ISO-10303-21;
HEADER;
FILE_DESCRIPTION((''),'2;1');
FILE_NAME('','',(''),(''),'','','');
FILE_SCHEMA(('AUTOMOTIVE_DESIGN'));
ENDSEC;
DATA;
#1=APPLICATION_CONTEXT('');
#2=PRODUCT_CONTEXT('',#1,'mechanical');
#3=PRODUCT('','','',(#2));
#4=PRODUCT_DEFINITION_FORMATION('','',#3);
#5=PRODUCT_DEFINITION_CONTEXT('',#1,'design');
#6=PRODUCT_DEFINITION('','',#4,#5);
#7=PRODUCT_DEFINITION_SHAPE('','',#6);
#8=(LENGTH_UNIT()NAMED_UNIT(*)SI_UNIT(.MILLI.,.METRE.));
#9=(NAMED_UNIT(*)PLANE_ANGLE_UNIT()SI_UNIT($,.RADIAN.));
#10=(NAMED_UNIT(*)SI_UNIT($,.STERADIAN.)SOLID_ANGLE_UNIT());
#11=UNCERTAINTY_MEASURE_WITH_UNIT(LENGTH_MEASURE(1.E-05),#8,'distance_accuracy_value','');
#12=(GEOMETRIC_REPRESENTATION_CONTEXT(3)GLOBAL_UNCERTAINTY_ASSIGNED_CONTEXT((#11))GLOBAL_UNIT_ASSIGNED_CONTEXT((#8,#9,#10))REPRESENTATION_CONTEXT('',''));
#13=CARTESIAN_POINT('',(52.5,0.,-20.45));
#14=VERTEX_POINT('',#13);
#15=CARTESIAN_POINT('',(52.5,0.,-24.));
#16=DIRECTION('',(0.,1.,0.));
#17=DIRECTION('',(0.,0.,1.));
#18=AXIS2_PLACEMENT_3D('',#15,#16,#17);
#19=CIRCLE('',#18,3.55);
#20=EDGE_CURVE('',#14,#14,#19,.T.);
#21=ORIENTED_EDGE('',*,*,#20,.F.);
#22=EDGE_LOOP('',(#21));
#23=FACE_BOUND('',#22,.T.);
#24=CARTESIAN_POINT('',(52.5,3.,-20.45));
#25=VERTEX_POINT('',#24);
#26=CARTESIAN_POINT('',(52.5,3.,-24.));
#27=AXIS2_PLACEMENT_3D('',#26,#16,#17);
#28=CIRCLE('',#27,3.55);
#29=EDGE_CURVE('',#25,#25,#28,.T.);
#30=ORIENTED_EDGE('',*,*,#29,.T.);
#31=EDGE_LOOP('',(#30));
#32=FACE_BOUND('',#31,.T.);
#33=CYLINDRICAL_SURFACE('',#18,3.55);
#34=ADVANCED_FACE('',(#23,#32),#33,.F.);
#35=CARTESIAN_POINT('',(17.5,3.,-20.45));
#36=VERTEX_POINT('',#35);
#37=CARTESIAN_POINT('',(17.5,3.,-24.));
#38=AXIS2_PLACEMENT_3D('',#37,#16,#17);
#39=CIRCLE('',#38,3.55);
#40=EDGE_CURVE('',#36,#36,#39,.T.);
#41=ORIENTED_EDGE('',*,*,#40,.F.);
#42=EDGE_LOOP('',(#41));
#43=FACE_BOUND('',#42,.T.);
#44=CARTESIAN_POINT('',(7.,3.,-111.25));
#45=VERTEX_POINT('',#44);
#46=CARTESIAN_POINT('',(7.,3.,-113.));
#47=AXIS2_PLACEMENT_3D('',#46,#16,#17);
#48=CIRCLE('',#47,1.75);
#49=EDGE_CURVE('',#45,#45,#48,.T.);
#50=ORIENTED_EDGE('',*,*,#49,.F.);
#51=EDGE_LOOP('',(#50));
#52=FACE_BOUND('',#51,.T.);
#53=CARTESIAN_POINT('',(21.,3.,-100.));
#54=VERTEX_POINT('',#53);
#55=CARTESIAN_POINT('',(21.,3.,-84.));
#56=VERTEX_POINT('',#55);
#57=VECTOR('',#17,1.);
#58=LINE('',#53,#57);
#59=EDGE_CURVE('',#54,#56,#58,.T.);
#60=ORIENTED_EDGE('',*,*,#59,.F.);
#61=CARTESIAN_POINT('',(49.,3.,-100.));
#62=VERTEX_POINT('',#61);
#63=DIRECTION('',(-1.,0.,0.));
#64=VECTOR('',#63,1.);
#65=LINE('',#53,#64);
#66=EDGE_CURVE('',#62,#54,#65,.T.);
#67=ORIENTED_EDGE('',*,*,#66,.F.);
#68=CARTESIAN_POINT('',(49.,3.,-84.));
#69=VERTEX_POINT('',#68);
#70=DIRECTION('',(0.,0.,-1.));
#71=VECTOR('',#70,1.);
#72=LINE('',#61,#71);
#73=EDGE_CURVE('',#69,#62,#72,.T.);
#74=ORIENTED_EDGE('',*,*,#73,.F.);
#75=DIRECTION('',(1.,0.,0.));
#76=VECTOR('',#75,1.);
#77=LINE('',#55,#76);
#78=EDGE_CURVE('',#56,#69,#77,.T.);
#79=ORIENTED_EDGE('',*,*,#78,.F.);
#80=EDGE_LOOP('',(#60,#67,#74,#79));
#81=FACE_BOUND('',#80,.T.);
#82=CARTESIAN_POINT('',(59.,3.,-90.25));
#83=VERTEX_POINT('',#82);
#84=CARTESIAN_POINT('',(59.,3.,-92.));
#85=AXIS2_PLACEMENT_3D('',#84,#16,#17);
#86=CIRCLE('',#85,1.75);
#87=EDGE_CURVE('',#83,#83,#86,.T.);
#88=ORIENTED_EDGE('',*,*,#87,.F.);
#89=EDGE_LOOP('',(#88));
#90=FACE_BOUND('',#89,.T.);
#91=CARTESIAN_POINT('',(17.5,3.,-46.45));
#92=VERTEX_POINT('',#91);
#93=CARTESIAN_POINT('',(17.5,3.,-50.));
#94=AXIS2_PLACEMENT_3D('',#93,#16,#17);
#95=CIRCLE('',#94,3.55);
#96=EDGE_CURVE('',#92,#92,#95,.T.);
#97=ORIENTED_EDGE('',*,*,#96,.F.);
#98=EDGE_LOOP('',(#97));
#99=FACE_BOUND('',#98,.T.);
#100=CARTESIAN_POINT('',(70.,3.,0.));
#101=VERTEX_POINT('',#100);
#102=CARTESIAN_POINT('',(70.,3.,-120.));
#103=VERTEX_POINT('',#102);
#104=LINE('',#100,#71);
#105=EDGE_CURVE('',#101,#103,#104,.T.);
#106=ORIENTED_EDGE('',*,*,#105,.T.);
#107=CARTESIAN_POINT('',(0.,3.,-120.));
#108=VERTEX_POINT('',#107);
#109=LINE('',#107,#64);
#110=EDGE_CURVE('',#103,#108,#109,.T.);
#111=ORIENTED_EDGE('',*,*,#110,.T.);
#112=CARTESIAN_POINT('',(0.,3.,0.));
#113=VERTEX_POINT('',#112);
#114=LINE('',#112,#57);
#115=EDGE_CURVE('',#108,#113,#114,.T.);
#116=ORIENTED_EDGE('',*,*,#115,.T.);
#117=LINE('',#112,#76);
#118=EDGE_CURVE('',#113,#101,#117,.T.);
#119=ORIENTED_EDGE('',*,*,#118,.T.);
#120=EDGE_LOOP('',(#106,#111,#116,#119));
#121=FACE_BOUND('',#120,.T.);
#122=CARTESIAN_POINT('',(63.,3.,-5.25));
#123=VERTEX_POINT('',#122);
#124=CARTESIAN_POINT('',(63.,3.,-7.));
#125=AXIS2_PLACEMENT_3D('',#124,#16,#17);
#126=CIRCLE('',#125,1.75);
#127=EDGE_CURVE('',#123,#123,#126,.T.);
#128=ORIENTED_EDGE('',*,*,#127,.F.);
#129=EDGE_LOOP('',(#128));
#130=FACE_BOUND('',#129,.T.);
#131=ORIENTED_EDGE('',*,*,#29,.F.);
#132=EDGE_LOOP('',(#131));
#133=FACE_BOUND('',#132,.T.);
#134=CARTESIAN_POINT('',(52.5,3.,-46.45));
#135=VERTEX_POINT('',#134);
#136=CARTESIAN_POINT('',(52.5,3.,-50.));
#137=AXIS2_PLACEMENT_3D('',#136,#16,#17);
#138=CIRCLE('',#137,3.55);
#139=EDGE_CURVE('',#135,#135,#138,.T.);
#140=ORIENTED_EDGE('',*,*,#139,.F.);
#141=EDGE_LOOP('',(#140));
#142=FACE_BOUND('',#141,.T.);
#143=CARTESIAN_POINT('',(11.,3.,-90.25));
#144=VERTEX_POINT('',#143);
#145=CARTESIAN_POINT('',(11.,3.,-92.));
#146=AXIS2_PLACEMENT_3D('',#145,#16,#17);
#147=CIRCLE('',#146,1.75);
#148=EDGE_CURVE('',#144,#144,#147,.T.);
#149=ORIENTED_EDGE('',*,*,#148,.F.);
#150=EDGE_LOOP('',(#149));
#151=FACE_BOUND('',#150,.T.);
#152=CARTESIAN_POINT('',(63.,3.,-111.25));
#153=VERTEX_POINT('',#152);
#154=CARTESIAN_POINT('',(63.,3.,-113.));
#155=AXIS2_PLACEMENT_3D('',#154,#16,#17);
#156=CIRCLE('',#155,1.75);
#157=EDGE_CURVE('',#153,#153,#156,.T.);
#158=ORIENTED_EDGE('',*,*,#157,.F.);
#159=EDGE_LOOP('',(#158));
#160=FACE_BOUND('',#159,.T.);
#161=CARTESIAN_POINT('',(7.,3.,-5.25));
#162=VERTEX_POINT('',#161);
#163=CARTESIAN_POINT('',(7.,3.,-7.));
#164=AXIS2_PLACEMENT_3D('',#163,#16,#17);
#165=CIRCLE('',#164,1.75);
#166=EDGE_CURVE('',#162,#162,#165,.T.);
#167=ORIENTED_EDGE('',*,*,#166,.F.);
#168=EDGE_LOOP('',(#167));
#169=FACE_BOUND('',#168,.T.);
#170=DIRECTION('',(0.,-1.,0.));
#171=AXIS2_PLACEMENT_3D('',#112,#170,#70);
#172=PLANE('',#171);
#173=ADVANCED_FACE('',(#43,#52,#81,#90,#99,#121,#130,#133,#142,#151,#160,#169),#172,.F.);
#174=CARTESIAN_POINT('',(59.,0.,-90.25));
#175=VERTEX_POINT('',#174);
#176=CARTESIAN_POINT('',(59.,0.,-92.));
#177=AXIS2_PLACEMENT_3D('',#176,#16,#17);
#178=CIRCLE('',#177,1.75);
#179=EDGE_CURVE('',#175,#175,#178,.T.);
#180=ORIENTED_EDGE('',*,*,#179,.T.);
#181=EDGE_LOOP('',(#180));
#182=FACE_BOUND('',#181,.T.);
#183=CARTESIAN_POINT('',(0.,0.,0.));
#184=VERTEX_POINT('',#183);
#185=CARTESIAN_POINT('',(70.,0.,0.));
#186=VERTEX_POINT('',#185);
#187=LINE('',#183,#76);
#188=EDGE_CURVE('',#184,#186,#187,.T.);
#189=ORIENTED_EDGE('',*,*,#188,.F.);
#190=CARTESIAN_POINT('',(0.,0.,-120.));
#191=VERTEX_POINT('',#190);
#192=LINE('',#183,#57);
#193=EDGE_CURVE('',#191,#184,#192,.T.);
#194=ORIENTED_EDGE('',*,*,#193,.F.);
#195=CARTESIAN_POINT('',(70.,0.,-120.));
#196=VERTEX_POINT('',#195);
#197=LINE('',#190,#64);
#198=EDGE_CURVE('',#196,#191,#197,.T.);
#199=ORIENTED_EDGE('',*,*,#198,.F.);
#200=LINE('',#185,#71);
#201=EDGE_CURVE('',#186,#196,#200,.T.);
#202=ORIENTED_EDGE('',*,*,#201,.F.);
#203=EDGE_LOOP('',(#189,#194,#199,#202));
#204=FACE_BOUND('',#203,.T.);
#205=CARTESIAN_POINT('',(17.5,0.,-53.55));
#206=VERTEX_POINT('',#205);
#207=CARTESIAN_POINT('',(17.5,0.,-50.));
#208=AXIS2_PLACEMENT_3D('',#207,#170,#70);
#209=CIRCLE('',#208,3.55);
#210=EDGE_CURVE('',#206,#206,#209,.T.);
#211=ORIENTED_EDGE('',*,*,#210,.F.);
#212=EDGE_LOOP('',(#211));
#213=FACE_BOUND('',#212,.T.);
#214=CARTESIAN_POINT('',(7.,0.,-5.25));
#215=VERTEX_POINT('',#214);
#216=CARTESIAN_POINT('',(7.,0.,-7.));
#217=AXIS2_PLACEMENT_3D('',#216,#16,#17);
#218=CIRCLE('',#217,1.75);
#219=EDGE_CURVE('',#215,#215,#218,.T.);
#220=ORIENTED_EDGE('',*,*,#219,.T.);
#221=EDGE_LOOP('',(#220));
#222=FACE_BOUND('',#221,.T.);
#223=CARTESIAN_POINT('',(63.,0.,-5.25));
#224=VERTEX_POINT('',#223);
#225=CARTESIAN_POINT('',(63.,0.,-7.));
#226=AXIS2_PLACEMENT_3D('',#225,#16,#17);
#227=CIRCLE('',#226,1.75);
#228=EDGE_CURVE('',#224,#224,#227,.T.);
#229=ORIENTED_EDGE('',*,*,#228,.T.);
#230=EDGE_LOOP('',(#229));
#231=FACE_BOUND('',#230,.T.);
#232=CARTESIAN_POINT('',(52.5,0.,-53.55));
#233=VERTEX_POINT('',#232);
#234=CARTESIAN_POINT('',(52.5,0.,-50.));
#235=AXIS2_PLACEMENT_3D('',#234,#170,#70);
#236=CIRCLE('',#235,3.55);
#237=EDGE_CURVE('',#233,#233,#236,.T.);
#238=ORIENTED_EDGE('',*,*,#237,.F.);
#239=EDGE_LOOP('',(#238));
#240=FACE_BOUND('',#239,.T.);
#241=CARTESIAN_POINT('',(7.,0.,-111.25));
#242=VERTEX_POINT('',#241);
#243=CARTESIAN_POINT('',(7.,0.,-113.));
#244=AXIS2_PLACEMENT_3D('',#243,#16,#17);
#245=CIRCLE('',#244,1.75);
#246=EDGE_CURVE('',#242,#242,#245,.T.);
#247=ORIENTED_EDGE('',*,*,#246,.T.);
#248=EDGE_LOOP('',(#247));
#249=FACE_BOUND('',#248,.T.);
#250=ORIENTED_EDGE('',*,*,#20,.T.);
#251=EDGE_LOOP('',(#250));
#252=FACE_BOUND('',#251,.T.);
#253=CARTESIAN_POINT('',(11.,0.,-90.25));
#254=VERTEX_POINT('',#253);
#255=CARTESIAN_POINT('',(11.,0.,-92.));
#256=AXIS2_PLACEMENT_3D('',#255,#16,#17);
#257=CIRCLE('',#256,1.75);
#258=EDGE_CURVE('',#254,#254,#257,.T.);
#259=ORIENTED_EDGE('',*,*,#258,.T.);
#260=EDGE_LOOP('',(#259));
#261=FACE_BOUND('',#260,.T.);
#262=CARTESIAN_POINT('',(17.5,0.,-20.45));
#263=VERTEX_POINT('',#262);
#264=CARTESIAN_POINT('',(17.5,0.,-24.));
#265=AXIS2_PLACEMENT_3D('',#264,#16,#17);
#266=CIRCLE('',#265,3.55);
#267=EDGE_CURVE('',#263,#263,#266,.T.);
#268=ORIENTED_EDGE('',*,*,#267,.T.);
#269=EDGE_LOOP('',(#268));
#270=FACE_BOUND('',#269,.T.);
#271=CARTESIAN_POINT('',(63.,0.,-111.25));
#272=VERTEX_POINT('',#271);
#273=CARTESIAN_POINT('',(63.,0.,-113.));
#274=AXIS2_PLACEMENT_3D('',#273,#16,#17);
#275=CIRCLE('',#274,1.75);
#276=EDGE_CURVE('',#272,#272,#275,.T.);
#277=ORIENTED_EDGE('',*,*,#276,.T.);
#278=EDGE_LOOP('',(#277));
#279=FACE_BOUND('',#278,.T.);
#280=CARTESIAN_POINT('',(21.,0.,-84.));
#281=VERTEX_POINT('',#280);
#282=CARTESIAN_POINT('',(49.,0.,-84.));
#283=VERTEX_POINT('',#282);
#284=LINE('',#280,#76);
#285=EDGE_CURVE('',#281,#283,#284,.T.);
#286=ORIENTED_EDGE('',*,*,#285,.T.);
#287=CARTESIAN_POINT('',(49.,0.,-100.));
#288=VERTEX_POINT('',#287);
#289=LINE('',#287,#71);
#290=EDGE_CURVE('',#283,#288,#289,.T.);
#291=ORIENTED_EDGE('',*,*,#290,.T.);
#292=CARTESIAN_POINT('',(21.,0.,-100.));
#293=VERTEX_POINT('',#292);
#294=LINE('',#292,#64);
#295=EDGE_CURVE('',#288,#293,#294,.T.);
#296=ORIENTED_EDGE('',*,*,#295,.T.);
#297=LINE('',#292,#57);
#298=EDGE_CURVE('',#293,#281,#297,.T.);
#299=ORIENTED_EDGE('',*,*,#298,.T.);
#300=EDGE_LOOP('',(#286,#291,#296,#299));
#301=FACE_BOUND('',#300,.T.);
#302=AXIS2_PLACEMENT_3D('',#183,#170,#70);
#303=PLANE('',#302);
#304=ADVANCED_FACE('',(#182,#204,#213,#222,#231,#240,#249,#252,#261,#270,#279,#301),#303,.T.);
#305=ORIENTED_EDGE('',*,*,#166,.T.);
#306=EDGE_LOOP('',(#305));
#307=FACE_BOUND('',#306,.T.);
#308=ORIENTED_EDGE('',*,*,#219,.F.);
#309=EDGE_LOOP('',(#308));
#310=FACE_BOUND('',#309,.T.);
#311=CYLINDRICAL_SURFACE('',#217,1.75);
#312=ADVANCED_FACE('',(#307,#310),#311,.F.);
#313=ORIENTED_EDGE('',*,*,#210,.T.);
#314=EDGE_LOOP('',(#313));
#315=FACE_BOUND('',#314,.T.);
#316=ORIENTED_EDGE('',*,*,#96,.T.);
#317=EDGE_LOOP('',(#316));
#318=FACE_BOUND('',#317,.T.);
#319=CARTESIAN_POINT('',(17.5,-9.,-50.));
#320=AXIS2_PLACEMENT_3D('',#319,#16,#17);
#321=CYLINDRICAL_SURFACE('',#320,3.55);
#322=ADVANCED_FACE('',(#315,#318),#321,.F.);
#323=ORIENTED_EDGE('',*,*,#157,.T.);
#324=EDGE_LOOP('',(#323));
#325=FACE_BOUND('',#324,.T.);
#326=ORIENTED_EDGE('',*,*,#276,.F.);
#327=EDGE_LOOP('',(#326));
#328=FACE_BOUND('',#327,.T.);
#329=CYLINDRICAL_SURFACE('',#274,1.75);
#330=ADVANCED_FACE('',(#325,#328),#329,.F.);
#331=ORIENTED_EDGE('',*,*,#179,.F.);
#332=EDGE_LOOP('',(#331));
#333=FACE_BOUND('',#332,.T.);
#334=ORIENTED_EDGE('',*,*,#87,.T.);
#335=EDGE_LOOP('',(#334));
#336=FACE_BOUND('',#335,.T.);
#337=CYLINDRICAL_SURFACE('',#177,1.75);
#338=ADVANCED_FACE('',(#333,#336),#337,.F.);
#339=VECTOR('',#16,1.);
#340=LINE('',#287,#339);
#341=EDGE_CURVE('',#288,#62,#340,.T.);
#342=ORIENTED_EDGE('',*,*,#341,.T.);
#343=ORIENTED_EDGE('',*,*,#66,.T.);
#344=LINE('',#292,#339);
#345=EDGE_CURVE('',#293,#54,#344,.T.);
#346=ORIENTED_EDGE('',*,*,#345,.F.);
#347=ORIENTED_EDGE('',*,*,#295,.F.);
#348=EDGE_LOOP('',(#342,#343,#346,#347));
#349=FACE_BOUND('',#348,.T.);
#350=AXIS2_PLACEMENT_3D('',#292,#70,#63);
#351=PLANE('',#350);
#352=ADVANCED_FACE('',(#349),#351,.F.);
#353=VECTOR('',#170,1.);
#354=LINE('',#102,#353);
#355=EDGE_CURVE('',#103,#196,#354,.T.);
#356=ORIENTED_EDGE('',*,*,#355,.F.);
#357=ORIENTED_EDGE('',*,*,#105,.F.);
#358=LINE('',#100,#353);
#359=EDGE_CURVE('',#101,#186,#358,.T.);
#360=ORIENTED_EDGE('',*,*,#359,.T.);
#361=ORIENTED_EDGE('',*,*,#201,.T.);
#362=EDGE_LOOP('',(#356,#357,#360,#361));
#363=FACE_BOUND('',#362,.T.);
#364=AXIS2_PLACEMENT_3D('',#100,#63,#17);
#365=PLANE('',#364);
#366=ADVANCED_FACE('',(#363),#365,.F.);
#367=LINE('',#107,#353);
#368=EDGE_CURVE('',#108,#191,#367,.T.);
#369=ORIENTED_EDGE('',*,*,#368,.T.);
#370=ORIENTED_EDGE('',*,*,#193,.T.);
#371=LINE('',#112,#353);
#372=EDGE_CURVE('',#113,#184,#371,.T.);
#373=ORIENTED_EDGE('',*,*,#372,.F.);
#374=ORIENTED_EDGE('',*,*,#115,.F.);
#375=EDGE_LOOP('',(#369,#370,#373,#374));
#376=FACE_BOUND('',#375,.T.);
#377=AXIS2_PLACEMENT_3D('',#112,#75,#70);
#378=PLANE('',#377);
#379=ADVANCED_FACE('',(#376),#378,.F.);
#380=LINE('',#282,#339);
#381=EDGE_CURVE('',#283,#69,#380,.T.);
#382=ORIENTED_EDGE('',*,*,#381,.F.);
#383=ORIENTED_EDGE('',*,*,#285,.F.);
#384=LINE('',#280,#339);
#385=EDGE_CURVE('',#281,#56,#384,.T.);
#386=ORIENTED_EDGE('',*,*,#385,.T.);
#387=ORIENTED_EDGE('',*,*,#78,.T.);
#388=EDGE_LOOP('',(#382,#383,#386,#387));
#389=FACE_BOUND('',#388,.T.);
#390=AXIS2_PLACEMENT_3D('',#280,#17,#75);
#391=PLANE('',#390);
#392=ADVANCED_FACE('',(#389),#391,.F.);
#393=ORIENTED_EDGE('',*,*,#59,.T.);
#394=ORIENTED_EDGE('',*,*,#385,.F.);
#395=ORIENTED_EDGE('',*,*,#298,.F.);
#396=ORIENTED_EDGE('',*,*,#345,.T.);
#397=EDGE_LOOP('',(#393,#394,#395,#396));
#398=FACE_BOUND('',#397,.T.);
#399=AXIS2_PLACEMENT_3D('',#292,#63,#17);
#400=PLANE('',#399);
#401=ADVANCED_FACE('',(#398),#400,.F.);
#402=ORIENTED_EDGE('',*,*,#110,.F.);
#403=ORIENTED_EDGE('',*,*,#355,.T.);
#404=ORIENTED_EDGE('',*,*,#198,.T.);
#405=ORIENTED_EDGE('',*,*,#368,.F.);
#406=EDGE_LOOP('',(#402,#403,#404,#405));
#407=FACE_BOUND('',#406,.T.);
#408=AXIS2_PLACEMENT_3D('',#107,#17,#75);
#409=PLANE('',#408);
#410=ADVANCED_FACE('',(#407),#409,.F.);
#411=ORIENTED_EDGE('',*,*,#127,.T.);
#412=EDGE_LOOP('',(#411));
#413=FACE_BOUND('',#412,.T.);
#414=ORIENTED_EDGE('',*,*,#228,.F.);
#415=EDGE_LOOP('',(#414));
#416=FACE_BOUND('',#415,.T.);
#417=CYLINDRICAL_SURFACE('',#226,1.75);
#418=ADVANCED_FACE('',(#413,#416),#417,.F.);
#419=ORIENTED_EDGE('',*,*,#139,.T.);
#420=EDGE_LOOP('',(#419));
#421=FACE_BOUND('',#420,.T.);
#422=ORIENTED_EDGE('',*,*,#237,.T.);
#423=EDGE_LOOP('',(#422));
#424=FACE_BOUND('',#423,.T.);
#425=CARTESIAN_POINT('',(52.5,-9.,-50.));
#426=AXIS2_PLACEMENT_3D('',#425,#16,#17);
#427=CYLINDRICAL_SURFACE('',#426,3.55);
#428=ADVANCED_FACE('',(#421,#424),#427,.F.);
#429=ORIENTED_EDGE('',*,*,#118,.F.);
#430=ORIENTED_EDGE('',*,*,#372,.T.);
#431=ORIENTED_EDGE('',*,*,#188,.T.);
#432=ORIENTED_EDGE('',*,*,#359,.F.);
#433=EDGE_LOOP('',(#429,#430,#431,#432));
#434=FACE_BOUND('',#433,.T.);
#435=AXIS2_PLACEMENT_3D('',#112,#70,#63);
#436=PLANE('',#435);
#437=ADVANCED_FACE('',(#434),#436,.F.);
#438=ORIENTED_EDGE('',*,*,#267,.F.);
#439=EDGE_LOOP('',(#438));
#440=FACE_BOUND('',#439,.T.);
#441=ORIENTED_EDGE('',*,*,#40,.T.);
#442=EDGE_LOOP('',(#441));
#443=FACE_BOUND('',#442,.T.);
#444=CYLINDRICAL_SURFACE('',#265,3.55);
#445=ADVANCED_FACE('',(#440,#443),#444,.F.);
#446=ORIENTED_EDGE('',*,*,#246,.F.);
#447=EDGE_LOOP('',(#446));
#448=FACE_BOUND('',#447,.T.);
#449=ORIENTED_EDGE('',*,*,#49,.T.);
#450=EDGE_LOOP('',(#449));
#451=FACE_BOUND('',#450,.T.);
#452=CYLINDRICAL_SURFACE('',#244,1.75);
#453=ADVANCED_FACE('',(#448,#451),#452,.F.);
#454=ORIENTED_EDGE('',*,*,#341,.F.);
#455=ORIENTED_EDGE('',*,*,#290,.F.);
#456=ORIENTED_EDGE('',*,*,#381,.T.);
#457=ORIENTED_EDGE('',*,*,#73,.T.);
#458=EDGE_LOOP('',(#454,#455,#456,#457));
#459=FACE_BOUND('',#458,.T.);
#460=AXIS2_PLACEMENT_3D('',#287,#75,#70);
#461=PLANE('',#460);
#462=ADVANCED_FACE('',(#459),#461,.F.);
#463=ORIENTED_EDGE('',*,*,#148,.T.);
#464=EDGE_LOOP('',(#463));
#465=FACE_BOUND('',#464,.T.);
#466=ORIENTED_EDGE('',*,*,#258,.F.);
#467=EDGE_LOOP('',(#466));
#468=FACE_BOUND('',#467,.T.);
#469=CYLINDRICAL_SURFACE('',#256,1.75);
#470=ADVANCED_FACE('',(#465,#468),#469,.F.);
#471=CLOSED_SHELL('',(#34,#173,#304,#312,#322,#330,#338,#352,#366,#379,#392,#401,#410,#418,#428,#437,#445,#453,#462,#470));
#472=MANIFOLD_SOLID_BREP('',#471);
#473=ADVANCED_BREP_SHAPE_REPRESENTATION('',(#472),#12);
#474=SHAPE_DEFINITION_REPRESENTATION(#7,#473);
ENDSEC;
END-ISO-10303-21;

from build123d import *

# Parameters (mm, degrees)
SKETCH1_W           = 70
SKETCH1_H           = 120
BOSS_EXTRUDE1_DEPTH = 3
SKETCH2_R           = 1.75
SKETCH2_R_2         = 3.55
SKETCH2_W           = 28
SKETCH2_H           = 16
CUT_EXTRUDE1_DEPTH  = 3
SKETCH4_R           = 3.55
CUT_EXTRUDE2_DEPTH  = 12


with BuildPart() as part:
    # Sketch1 → Boss-Extrude1 (new body)
    with BuildSketch(Plane(origin=(0, 0, 0), x_dir=(1, 0, 0), z_dir=(0, 1, 0))):
        with Locations((35, 60)):
            Rectangle(SKETCH1_W, SKETCH1_H)
    extrude(amount=BOSS_EXTRUDE1_DEPTH)

    # Sketch2 → Cut-Extrude1 (cut)
    with BuildSketch(Plane(origin=(0, 3, 0), x_dir=(1, 0, 0), z_dir=(0, 1, 0))):
        with Locations(Location((11, 92, 0), (0, 0, 270))):
            Circle(SKETCH2_R)
        with Locations(Location((59, 92, 0), (0, 0, 270))):
            Circle(SKETCH2_R)
        with Locations(Location((52.5, 24, 0), (0, 0, 270))):
            Circle(SKETCH2_R_2)
        with Locations(Location((17.5, 24, 0), (0, 0, 270))):
            Circle(SKETCH2_R_2)
        with Locations(Location((7, 113, 0), (0, 0, 270))):
            Circle(SKETCH2_R)
        with Locations(Location((63, 113, 0), (0, 0, 270))):
            Circle(SKETCH2_R)
        with Locations(Location((63, 7, 0), (0, 0, 270))):
            Circle(SKETCH2_R)
        with Locations(Location((7, 7, 0), (0, 0, 270))):
            Circle(SKETCH2_R)
        with Locations((35, 92)):
            Rectangle(SKETCH2_W, SKETCH2_H)
    extrude(amount=-CUT_EXTRUDE1_DEPTH, mode=Mode.SUBTRACT)

    # Sketch4 → Cut-Extrude2 (cut)
    with BuildSketch(Plane(origin=(0, 3, 0), x_dir=(1, 0, 0), z_dir=(0, 1, 0))):
        with Locations(Location((17.5, 50, 0), (0, 0, 270))):
            Circle(SKETCH4_R)
        with Locations(Location((52.5, 50, 0), (0, 0, 270))):
            Circle(SKETCH4_R)
    extrude(amount=-CUT_EXTRUDE2_DEPTH, mode=Mode.SUBTRACT)


solid = part.part
